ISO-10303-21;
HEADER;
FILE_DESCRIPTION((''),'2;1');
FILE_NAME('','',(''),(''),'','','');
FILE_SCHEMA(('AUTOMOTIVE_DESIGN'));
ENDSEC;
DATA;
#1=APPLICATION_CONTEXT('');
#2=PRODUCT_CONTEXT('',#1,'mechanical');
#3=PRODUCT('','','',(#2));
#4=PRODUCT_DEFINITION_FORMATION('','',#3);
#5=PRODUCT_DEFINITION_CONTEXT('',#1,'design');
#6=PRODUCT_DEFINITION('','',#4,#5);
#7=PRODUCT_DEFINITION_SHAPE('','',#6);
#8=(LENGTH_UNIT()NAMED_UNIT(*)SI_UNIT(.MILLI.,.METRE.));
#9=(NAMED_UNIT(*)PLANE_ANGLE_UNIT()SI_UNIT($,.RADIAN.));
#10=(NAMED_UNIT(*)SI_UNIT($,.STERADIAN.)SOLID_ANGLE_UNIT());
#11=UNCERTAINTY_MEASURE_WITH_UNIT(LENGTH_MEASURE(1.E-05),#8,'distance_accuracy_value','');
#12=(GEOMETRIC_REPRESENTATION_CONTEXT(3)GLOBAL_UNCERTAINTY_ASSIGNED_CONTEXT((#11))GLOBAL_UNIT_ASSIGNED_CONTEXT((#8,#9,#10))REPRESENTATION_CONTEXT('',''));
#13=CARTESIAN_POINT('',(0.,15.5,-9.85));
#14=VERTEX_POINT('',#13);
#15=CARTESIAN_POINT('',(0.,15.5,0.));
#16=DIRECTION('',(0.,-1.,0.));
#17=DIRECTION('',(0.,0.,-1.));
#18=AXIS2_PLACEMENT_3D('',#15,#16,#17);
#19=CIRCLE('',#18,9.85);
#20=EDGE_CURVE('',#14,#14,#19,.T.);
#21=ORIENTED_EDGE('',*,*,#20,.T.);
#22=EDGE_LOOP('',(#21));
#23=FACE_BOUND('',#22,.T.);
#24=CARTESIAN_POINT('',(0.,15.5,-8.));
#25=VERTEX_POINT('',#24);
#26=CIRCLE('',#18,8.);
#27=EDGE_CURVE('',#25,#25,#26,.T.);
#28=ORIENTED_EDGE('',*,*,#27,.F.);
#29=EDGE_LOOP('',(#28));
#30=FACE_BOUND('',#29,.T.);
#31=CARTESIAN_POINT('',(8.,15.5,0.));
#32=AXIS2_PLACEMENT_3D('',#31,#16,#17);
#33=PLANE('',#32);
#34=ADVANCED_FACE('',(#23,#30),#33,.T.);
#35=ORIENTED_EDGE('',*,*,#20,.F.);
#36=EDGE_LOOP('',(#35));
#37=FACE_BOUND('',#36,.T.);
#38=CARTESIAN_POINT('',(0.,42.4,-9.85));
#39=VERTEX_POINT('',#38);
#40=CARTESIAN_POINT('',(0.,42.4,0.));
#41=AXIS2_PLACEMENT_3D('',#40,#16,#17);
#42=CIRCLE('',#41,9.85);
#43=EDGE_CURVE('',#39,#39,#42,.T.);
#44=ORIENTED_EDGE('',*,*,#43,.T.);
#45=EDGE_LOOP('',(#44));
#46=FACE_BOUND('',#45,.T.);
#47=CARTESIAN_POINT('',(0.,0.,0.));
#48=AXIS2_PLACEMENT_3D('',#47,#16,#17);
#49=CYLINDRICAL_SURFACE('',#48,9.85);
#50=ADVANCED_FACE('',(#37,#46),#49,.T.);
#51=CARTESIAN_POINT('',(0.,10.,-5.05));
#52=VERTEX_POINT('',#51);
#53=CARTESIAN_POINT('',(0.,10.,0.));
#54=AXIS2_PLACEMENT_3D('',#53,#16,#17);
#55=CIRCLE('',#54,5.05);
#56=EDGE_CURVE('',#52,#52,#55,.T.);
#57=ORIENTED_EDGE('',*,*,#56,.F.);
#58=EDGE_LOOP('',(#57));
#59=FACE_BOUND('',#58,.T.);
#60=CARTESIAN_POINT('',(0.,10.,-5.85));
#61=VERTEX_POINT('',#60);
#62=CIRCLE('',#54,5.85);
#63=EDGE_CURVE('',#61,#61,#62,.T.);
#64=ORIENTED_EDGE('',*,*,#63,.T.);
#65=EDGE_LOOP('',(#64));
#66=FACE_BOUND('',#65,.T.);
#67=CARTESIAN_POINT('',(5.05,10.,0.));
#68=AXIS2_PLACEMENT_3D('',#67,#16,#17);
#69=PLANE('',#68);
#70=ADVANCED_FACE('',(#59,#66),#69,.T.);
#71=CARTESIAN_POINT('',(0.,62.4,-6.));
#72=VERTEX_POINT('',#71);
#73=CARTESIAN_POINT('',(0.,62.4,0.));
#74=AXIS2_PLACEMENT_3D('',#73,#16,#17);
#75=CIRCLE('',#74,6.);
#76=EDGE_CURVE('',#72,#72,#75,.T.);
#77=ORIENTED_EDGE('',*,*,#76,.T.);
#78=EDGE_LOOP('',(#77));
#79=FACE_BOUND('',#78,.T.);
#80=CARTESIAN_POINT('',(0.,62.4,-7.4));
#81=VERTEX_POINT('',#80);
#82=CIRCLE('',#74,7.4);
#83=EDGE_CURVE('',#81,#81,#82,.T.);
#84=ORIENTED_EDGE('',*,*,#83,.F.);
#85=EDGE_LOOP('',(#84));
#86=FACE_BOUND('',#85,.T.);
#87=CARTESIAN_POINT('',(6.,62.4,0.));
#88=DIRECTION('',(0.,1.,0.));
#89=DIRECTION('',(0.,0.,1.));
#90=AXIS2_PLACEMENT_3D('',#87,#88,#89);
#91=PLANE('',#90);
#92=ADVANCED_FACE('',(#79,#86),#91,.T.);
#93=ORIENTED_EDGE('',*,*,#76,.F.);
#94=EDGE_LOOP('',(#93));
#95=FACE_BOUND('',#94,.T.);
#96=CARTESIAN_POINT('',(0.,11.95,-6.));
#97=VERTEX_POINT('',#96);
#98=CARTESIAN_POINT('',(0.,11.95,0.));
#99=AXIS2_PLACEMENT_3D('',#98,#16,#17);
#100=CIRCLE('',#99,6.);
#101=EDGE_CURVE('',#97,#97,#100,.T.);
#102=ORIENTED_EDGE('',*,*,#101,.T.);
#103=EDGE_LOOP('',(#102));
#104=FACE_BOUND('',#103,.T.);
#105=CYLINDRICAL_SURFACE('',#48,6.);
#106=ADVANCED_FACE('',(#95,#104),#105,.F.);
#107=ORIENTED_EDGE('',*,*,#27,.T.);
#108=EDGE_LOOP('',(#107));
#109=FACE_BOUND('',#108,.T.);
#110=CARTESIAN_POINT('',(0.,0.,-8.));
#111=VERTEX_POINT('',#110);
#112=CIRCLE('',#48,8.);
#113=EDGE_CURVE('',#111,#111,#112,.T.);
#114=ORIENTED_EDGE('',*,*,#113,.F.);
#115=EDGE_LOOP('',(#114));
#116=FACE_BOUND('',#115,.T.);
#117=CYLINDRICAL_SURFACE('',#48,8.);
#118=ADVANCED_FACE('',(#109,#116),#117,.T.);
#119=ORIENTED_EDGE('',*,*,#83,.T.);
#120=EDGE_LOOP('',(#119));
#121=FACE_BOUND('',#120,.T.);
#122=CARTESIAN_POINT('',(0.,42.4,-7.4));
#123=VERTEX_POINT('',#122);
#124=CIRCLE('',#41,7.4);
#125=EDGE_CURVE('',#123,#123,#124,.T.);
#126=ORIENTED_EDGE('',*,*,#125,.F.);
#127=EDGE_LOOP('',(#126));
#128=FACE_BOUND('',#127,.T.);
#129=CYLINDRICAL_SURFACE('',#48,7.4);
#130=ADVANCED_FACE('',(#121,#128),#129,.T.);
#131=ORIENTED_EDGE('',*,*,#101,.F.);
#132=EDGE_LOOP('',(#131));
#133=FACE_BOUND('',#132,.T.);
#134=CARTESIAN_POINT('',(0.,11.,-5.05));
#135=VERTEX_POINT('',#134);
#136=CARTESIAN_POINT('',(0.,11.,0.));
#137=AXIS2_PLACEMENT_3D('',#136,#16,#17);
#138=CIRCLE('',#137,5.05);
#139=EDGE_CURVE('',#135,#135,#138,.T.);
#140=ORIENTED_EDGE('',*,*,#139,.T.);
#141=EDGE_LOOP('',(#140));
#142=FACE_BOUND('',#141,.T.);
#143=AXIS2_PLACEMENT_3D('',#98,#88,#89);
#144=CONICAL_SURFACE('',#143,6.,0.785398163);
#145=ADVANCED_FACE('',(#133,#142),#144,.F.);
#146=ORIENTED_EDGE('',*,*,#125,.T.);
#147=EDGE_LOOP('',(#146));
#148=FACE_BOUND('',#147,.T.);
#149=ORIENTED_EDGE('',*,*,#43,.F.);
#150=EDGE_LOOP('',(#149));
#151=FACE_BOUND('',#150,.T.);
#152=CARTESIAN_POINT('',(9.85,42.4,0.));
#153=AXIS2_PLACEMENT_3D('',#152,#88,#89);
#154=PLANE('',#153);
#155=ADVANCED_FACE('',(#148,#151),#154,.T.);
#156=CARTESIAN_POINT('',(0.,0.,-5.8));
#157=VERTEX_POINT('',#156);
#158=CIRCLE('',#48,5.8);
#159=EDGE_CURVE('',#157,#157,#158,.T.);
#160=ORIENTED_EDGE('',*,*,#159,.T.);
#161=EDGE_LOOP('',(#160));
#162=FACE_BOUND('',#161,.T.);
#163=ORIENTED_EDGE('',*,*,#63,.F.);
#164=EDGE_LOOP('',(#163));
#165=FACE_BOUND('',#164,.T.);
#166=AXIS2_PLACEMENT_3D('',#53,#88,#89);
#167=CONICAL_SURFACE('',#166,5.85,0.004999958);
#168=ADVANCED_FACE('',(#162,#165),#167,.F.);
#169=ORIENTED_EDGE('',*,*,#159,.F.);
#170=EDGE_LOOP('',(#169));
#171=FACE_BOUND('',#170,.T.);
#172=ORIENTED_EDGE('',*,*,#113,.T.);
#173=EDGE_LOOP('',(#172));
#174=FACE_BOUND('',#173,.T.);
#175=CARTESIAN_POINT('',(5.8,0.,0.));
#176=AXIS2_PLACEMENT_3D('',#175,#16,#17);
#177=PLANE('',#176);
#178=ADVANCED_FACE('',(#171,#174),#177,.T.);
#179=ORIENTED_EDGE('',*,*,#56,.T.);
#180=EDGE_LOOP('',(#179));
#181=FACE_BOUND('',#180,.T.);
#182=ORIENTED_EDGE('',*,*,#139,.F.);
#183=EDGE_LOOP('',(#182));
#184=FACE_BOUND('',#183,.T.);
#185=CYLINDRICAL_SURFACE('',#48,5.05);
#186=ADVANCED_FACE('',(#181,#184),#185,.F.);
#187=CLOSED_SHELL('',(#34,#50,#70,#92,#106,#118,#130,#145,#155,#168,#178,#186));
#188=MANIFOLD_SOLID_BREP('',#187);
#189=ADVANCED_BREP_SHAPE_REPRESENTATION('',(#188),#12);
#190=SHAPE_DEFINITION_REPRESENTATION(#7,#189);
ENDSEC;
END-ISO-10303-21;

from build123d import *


with BuildPart() as part:
    # Sketch1 → Revolve1 (revolve)
    with BuildSketch(Plane.XY, mode=Mode.PRIVATE) as revolve1_sk:
        Polygon((5.05, 11), (5.05, 10), (5.85, 10), (5.8, 0), (8, 0), (8, 15.5), (9.85, 15.5), (9.85, 42.4), (7.4, 42.4), (7.4, 62.4), (6, 62.4), (6, 11.95), align=None)
    revolve(revolve1_sk.sketch.rotate(Axis((0, 0, 0), (0, 1, 0)), 90), axis=Axis((0, 0, 0), (0, 1, 0)))


solid = part.part
